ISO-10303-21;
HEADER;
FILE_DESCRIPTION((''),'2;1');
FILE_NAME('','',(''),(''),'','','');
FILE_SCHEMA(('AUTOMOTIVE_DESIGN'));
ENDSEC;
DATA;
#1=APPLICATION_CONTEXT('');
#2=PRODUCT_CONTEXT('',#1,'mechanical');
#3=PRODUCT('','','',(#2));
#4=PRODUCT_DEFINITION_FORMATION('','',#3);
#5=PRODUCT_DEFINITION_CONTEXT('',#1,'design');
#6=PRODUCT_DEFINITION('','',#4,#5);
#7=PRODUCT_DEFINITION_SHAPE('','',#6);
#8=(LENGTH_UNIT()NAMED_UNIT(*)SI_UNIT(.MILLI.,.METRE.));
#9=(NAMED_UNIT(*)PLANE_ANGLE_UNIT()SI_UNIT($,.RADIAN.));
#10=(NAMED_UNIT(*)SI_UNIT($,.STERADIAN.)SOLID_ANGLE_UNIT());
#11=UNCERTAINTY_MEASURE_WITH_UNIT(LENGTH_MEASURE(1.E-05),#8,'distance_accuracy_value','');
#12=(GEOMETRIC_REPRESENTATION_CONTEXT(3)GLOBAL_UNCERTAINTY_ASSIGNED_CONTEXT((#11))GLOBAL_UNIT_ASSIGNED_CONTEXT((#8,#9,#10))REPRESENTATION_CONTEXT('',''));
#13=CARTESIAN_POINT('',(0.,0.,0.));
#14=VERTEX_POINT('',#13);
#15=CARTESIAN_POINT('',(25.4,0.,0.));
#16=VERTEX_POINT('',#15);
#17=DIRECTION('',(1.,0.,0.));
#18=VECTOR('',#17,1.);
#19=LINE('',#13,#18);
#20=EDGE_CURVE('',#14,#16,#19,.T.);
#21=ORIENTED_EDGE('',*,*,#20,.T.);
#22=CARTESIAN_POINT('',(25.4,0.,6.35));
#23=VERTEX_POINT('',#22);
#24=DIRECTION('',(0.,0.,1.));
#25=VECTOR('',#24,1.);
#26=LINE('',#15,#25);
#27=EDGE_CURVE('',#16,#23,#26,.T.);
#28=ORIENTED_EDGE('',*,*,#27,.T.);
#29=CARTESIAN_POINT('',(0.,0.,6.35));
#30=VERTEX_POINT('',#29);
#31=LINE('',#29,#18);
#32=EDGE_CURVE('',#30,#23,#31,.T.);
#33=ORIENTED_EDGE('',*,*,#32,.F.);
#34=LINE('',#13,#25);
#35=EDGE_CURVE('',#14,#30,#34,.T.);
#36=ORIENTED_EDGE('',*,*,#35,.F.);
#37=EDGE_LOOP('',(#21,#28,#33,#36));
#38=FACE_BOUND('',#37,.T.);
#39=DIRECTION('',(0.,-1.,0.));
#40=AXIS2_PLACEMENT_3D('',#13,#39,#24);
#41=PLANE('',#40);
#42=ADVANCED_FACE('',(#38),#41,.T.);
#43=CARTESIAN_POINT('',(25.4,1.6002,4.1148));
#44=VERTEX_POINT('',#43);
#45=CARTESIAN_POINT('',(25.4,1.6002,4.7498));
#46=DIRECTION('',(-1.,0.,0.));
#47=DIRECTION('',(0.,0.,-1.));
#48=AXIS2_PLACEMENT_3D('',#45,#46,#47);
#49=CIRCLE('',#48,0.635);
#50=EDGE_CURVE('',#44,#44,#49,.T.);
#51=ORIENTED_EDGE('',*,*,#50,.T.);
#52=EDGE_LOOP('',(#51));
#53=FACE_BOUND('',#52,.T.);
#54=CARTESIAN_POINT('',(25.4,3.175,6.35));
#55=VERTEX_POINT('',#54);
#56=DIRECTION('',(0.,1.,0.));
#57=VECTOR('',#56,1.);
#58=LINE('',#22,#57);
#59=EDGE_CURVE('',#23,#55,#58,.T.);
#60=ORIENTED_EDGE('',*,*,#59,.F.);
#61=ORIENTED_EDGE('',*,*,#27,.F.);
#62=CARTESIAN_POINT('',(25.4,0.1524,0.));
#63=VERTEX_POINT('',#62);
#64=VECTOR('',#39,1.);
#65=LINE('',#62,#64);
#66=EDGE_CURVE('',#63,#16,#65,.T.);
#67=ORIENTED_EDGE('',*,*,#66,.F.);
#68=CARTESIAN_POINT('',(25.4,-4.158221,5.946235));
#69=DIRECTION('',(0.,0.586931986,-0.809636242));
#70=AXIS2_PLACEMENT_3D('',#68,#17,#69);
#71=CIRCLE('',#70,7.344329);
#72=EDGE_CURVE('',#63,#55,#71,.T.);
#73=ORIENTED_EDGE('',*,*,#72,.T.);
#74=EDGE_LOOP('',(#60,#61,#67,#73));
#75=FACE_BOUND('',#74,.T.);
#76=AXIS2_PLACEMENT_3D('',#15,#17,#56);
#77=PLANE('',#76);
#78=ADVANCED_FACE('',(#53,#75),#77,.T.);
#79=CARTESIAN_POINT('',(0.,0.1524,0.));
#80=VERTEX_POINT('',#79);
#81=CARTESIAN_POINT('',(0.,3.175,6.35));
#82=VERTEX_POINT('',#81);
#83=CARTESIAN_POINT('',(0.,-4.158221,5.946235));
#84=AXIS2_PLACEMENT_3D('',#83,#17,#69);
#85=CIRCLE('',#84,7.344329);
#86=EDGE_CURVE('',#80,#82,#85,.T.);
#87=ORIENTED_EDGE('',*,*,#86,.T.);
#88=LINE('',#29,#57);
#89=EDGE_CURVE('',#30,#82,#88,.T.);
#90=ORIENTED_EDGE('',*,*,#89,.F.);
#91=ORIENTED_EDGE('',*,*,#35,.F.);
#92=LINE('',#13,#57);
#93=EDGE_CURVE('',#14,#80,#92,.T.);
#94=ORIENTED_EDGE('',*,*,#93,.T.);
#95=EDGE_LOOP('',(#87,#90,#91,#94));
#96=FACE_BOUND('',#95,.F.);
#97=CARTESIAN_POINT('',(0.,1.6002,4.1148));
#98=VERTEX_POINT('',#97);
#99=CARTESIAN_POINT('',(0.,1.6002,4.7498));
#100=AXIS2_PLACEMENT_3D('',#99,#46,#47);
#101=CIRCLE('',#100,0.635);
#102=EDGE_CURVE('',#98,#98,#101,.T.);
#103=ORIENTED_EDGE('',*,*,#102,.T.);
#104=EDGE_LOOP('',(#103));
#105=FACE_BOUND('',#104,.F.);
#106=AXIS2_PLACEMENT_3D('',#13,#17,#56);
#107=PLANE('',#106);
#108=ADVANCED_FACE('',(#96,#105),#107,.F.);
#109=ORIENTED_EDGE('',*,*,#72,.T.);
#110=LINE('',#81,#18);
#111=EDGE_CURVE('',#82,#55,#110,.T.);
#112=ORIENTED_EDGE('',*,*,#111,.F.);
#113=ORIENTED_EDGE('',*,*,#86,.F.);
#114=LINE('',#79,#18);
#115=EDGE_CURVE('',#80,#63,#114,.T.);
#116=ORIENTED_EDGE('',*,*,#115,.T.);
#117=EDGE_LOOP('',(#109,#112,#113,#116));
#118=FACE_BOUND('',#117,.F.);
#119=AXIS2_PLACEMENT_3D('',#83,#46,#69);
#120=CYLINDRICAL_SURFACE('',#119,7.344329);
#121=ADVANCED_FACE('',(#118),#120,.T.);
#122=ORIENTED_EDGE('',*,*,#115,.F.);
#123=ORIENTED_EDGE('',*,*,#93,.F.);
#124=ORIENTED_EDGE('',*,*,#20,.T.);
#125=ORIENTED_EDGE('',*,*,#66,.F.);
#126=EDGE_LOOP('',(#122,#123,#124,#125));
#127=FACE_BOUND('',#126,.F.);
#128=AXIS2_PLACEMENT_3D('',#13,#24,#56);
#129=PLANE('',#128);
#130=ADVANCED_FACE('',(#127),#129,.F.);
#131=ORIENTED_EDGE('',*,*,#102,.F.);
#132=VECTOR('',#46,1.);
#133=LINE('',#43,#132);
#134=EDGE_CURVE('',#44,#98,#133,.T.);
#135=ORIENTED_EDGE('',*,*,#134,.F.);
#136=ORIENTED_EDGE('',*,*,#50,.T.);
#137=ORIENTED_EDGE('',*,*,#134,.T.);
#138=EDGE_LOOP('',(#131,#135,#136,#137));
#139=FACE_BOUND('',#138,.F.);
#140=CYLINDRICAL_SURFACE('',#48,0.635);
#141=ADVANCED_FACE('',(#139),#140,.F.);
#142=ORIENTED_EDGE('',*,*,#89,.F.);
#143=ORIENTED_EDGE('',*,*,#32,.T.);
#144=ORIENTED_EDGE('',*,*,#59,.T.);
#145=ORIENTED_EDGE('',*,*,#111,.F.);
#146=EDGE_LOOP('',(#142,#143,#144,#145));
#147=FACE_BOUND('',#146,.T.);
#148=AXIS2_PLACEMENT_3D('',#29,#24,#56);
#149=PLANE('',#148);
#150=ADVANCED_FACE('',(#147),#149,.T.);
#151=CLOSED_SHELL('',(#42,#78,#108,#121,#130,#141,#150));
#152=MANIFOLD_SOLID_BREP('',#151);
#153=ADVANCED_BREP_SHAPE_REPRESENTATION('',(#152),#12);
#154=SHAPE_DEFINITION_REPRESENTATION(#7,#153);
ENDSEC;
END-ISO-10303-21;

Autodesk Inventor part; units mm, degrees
ref_plane "YZ Plane" through (0, 0, 0) normal (1, 0, 0) x (0, 1, 0)
ref_plane "XZ Plane" through (0, 0, 0) normal (0, 1, 0) x (-1, 0, 0)
ref_plane "XY Plane" through (0, 0, 0) normal (0, 0, 1) x (1, 0, 0)
sketch "Sketch1" plane through (0, 0, 0) normal (1, 0, 0) x (0, 1, 0)
  line L0 (0, 0) -> (0.0762, 0)
  line L1 (3.175, 5.5426) -> (3.175, 5.5426)
  line L2 (0, 0) -> (0.1524, 0)
  line L3 (0, 0) -> (0, 6.35)
  line L4 (0, 0) -> (0.1524, 0)
  line L5 (0, 6.35) -> (3.175, 6.35)
  arc A0 (0.1524, 0) -> (3.175, 6.35) centre (-4.1583, 5.9463) ccw
  dimension "d14" = 6.35
  dimension "d15" = 3.175
extrude "Extrusion2" add sketch "Sketch1" along normal blind 25.4
hole "Hole2" at (25.4, 1.6002, 4.7498) direction (-1, 0, 0) diameter 1.27 end through all
properties part number "HingPart2"
